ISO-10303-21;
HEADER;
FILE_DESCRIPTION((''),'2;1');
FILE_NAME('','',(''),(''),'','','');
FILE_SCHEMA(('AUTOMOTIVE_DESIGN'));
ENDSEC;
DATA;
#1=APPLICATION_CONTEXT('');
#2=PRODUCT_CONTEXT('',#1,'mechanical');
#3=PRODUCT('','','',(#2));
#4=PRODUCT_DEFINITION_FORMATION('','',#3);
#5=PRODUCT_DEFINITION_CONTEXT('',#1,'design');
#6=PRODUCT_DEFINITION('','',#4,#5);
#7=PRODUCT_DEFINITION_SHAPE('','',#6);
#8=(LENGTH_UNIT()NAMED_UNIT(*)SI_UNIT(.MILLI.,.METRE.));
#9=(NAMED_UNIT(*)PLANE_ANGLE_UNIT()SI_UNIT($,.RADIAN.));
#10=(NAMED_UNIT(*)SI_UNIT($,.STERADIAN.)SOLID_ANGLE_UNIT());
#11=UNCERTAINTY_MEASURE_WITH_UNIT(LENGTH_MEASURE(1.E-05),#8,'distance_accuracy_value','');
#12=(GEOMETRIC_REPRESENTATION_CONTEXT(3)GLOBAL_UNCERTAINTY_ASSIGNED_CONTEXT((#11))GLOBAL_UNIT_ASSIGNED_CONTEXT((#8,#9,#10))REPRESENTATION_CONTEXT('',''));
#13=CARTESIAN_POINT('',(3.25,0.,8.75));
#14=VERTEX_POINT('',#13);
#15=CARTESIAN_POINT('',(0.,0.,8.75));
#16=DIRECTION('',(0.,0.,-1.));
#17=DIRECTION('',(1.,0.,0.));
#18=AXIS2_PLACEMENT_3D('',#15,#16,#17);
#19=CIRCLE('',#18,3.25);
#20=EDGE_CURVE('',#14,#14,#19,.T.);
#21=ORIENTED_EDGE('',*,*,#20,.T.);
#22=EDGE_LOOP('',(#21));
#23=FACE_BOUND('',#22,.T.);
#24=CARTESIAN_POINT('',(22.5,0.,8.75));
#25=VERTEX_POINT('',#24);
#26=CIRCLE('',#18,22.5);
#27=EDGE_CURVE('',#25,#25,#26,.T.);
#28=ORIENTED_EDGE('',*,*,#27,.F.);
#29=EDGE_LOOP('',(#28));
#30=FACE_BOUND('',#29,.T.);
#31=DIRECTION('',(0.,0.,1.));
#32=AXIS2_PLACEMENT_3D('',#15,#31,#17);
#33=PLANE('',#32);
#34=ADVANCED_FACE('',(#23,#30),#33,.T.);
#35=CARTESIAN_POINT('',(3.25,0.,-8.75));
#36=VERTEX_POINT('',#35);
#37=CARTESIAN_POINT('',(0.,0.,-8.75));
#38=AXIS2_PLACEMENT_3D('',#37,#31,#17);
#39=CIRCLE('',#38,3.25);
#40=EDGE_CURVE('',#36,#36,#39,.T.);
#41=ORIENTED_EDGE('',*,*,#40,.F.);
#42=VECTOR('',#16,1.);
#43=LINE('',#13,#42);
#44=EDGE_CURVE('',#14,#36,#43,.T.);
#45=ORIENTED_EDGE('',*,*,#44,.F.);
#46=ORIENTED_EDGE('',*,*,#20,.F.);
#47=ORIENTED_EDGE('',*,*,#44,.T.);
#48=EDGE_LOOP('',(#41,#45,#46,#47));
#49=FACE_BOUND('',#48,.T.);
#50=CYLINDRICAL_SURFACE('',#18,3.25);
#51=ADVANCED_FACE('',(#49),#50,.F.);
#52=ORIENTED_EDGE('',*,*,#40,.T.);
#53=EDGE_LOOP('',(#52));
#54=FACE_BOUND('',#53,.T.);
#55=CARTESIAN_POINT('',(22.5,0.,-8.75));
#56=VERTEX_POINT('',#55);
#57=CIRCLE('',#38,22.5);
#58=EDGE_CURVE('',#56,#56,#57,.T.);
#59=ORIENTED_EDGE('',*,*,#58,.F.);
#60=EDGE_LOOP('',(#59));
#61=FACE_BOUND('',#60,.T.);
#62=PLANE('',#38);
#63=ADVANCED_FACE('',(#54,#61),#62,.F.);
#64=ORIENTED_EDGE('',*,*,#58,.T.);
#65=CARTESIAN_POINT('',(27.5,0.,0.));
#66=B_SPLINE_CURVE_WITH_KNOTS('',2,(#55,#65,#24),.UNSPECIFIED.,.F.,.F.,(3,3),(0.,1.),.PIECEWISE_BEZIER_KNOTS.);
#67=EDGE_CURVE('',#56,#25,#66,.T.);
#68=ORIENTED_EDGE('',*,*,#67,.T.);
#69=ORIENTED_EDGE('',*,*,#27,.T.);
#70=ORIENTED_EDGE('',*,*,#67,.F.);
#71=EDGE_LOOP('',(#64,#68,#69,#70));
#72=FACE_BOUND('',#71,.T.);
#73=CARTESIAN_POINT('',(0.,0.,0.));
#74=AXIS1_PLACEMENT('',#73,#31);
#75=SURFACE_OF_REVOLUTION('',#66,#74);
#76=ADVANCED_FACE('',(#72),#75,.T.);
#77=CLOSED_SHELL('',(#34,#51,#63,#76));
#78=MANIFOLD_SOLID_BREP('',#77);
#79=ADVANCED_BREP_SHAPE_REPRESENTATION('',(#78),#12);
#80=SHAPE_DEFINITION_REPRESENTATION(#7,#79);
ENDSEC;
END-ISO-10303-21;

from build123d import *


with BuildPart() as part:
    # Sketch → Revolution (revolve)
    with BuildSketch(Plane.XZ):
        with BuildLine():
            Line((-3.25, 8.75), (-22.5, 8.75))
            add(Edge.make_bspline(
                [(-22.5, 8.75), (-27.5, 0), (-22.5, -8.75)],
                knots=[0, 0, 0, 1, 1, 1], degree=2))
            Line((-22.5, -8.75), (-3.25, -8.75))
            Line((-3.25, -8.75), (-3.25, 8.75))
        make_face()
        with BuildLine():
            add(Edge.make_bspline(
                [(22.5, -8.75), (27.5, 0), (22.5, 8.75)],
                knots=[0, 0, 0, 1, 1, 1], degree=2))
            Line((22.5, 8.75), (3.25, 8.75))
            Line((3.25, 8.75), (3.25, -8.75))
            Line((3.25, -8.75), (22.5, -8.75))
        make_face()
    revolve(axis=Axis((0, 0, 0), (0, 0, 1)))


solid = part.part
